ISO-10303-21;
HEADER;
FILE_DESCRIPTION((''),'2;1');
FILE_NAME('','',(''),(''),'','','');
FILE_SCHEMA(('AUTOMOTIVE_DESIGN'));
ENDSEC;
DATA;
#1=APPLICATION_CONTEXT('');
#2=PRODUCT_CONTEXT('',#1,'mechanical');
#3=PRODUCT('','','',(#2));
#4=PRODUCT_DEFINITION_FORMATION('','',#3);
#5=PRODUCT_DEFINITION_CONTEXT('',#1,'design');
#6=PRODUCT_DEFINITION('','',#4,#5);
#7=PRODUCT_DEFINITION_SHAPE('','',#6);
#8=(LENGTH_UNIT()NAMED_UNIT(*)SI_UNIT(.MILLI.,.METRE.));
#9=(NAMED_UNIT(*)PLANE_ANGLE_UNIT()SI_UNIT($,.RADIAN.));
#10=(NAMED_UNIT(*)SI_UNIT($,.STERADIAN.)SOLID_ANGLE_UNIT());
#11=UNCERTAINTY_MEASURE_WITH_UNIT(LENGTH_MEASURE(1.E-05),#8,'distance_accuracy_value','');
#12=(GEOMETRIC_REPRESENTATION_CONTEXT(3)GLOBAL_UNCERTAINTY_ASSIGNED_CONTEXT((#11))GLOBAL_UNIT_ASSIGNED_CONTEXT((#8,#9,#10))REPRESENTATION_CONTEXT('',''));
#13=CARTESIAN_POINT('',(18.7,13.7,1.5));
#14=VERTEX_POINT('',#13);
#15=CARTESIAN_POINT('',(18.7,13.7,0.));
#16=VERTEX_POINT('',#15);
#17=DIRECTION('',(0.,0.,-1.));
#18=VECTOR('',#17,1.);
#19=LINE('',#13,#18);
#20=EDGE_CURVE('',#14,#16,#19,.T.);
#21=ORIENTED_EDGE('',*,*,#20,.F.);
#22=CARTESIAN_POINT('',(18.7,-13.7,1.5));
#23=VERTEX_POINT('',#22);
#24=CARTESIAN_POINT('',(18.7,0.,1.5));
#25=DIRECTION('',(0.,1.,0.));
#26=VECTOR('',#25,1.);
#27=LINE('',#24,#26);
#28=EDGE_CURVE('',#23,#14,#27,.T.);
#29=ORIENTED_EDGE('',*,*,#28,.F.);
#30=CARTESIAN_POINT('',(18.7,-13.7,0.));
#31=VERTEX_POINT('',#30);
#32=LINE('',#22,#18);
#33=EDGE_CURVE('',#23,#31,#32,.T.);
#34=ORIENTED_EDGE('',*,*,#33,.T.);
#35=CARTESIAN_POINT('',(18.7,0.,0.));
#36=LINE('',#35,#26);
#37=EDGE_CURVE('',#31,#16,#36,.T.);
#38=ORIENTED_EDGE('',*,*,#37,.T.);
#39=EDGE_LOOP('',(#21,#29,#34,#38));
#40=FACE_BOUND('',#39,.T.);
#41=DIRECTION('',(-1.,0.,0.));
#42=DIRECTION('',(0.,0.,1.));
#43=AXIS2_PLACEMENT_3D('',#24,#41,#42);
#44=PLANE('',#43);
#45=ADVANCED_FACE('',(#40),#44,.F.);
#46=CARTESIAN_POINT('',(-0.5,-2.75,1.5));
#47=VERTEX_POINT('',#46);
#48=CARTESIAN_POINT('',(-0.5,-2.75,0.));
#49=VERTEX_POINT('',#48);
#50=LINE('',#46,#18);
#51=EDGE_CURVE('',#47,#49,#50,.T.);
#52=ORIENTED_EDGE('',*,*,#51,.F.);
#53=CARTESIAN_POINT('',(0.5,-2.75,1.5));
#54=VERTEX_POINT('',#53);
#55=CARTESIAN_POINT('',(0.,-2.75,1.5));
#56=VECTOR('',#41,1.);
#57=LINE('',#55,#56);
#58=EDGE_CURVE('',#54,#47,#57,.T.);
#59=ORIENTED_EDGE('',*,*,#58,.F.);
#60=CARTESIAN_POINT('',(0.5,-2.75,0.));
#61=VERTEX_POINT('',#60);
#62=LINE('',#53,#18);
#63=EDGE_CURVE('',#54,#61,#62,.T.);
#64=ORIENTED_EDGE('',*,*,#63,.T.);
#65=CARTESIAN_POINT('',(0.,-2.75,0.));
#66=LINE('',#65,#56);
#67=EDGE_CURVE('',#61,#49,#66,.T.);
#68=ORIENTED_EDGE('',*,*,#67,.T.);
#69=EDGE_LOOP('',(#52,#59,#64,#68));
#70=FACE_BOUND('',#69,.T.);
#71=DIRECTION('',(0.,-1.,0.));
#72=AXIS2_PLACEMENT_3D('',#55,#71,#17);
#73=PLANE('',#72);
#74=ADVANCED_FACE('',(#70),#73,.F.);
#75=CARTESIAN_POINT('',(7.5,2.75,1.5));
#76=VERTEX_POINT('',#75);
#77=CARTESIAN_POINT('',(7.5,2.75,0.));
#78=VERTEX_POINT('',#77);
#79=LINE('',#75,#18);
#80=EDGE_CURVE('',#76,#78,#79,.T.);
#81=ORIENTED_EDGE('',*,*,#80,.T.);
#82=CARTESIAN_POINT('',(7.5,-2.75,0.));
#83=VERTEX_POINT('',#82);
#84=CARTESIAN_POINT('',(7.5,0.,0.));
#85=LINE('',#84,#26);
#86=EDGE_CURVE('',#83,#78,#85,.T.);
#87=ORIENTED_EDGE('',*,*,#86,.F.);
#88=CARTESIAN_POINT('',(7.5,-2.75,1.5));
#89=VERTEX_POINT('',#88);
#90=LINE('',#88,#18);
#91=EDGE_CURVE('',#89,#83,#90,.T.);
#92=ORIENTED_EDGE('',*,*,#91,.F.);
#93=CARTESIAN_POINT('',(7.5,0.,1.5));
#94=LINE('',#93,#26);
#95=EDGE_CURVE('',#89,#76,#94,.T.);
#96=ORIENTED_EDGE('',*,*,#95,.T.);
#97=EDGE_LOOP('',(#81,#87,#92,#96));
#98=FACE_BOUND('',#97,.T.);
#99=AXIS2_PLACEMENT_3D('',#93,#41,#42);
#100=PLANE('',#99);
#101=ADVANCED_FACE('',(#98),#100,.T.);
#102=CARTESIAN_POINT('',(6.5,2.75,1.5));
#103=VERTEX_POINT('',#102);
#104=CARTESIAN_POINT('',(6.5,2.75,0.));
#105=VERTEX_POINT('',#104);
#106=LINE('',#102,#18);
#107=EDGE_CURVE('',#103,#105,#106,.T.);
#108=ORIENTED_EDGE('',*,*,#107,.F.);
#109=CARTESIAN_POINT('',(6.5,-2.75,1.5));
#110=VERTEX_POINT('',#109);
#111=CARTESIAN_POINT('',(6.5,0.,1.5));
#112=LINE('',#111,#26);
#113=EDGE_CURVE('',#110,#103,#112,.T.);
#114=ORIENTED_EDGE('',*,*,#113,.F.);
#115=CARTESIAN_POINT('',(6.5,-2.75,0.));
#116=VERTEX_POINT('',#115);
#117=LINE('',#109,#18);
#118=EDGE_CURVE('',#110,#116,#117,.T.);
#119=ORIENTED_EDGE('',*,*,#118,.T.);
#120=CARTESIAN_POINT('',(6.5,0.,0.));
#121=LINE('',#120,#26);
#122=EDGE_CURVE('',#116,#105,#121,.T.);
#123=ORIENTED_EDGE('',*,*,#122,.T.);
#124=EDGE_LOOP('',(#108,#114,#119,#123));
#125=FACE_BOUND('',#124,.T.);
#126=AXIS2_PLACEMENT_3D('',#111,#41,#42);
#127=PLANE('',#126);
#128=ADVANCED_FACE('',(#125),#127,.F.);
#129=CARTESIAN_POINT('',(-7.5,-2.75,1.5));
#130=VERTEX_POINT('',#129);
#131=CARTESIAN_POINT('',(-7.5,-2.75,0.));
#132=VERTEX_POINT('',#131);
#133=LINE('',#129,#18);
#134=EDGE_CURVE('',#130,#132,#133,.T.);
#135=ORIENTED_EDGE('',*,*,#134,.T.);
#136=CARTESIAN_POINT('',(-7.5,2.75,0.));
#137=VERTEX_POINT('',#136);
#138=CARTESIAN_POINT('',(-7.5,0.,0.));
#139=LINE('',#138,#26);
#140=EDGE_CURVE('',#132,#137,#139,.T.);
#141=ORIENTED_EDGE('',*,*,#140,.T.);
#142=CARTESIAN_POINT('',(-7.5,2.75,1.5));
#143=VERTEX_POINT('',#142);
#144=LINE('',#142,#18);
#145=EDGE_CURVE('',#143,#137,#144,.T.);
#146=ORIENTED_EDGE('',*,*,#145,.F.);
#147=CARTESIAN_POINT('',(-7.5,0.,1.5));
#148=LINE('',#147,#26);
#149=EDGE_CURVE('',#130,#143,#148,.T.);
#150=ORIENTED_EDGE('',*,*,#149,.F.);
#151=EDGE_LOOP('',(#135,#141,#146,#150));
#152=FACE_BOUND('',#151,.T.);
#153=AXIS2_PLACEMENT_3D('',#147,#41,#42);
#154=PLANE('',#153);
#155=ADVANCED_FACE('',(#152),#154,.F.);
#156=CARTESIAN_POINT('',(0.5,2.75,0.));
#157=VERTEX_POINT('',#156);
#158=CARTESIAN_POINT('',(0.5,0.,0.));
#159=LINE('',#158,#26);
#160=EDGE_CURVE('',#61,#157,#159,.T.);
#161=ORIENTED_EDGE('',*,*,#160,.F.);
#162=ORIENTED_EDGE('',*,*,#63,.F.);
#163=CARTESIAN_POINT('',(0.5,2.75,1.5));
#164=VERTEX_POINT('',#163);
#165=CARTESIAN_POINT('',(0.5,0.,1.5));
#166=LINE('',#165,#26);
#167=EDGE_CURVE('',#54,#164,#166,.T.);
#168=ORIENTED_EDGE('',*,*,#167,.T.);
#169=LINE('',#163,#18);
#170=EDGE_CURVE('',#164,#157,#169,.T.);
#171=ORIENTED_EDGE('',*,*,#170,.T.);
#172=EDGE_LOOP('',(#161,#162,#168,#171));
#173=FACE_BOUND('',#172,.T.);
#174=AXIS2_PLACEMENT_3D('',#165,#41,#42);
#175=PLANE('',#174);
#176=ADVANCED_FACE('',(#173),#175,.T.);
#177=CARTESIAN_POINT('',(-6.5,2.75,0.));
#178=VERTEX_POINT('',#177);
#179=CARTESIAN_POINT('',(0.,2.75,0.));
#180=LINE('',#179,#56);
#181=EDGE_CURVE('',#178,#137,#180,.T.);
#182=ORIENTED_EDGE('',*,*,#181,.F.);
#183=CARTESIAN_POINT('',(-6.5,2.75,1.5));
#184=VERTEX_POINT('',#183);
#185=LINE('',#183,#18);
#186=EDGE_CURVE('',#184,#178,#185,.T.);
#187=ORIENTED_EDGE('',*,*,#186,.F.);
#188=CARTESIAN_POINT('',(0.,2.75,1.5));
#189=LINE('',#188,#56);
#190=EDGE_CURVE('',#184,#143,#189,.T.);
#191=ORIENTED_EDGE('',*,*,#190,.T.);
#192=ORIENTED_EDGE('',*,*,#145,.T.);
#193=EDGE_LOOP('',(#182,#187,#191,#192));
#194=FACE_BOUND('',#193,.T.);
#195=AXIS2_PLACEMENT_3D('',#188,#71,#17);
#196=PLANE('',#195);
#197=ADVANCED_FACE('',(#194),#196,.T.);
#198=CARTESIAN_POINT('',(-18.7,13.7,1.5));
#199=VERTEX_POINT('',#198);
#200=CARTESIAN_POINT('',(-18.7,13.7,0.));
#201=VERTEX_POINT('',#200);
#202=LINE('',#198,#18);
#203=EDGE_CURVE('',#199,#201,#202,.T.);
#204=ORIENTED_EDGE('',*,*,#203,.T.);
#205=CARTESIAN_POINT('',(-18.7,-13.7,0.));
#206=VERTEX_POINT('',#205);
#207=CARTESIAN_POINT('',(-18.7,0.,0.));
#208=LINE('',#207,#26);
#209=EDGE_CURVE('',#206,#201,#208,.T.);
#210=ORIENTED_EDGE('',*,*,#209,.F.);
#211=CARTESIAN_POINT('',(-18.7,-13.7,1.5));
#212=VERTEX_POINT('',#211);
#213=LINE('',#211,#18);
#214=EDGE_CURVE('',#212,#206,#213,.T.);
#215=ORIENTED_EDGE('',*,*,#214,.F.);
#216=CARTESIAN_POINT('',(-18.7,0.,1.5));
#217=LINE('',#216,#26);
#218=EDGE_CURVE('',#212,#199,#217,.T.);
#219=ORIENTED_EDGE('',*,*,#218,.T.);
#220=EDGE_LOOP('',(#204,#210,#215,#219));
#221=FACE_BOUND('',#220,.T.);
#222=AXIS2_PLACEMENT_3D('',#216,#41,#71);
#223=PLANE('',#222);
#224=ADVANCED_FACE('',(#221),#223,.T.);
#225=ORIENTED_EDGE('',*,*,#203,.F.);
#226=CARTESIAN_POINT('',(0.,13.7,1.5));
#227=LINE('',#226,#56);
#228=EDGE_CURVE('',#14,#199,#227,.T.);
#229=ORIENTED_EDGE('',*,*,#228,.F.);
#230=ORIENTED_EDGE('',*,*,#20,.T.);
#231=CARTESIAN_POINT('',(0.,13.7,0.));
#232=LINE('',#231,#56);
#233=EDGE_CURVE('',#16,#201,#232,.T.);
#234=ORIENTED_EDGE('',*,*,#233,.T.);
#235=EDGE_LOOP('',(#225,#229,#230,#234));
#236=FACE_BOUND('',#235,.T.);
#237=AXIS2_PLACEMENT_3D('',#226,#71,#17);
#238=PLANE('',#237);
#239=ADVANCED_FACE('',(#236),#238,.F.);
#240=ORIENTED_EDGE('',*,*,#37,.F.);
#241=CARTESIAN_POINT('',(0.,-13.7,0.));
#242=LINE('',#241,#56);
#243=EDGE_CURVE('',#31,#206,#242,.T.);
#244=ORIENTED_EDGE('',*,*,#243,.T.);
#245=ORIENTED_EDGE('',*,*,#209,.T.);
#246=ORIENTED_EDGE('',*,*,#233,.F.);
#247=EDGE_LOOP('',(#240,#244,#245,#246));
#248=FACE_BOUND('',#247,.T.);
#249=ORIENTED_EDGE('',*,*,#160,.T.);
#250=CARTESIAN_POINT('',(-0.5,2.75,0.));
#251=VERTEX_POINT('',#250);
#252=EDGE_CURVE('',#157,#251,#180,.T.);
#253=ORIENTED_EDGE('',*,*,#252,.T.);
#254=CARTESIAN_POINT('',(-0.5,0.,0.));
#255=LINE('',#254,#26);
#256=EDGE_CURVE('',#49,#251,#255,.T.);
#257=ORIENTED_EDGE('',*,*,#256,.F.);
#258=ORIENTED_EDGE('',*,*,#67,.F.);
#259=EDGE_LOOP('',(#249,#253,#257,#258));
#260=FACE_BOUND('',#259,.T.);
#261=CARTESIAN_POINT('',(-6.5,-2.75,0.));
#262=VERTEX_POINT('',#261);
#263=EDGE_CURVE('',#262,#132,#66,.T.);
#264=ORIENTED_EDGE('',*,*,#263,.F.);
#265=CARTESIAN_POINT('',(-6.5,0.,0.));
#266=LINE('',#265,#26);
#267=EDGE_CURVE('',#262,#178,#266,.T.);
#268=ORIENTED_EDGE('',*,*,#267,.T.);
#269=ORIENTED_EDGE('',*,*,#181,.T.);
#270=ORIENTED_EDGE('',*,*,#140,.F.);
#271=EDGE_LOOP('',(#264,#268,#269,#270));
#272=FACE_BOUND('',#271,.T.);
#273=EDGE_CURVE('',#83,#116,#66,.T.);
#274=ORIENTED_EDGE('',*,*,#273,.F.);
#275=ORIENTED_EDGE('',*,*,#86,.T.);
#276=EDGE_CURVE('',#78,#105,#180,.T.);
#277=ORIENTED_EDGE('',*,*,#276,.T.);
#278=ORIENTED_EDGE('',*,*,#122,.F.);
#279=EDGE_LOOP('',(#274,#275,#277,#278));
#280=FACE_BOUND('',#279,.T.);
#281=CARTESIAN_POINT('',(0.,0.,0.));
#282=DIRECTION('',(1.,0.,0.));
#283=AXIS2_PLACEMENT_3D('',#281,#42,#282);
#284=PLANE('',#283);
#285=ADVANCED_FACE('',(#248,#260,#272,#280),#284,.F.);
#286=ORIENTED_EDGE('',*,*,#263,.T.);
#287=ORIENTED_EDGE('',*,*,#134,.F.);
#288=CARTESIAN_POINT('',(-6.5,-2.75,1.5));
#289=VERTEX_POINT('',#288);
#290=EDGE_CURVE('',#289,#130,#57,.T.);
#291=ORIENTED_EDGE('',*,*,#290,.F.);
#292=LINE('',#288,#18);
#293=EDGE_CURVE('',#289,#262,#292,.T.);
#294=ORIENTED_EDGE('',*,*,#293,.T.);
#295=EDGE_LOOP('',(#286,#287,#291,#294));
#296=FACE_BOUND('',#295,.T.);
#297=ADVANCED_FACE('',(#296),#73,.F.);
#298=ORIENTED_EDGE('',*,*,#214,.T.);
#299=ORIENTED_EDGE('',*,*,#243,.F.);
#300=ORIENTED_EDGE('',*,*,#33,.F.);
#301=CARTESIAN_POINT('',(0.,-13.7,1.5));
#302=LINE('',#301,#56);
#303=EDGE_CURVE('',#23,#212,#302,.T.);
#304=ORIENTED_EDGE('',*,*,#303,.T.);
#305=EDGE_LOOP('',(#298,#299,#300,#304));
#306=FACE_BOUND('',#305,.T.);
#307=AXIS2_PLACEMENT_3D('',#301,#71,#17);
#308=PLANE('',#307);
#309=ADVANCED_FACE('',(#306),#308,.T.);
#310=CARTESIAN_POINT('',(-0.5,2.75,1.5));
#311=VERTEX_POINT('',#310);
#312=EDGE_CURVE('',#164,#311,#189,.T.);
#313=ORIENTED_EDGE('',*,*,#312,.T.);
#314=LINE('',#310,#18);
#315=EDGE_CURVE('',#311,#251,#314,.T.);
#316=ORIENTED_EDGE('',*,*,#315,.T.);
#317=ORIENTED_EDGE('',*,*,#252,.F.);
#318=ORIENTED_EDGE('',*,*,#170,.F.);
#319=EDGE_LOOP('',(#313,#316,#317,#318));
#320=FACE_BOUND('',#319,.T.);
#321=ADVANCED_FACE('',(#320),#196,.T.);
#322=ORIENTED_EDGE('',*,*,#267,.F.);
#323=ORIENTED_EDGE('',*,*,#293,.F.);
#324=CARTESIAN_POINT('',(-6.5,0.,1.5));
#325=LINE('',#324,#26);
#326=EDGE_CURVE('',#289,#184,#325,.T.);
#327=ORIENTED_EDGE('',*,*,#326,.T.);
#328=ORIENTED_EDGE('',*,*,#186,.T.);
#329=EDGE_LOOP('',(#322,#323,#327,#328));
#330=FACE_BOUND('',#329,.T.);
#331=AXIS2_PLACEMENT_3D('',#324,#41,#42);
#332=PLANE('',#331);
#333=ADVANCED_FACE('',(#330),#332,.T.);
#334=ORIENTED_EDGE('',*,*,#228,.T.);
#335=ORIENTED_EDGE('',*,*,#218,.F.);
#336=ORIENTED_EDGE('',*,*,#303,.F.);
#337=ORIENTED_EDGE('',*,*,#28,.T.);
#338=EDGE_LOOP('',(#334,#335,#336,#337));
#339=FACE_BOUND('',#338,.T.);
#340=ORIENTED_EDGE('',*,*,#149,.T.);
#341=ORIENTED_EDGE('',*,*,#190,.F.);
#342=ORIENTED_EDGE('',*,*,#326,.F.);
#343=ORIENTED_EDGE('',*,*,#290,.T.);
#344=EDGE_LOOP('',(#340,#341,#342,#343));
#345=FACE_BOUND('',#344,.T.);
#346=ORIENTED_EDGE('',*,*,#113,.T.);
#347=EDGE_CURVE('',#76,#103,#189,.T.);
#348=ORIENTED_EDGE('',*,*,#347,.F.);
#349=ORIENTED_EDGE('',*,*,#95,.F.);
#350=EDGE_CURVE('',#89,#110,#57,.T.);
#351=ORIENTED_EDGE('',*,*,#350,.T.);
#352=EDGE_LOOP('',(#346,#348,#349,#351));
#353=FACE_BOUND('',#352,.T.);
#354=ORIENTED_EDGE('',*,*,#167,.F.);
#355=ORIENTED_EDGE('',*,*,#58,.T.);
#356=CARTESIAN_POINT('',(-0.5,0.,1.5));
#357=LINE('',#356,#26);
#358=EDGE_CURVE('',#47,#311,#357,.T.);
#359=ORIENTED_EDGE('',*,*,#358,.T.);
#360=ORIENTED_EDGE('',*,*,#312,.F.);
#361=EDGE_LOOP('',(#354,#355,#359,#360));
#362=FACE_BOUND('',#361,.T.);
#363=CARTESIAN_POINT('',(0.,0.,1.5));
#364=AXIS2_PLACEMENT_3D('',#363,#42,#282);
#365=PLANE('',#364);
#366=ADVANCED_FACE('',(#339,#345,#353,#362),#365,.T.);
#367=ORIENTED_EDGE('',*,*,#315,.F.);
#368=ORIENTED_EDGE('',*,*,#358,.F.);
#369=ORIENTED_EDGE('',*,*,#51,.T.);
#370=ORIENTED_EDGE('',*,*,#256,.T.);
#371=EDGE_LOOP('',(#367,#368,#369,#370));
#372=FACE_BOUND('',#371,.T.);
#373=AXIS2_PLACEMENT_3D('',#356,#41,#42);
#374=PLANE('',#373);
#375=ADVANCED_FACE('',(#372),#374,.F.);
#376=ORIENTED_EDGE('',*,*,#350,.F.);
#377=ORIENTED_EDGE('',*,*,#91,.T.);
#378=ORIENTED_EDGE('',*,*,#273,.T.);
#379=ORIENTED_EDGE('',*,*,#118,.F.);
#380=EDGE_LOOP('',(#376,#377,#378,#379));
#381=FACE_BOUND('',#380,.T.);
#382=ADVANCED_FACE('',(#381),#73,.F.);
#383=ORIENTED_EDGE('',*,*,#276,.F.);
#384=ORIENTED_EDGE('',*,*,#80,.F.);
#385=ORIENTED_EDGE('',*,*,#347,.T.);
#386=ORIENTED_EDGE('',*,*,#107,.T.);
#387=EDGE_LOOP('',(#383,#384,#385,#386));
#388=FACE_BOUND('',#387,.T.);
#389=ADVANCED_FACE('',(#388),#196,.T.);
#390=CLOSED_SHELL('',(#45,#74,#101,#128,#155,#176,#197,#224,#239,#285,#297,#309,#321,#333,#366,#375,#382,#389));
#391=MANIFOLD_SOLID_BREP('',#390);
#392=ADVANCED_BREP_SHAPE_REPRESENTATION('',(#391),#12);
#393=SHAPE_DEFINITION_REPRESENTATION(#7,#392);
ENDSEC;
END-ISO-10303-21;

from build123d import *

# Parameters (mm, degrees)
SKETCH1_W           = 27.4
SKETCH1_H           = 37.4
SKETCH1_W_2         = 5.5
SKETCH1_H_2         = 1
BOSS_EXTRUDE1_DEPTH = 1.5


with BuildPart() as part:
    # Sketch1 → Boss-Extrude1 (new body)
    with BuildSketch(Plane(origin=(0, 0, 0), x_dir=(0, 1, 0), z_dir=(0, 0, 1))):
        Rectangle(SKETCH1_W, SKETCH1_H)
        Rectangle(SKETCH1_W_2, SKETCH1_H_2, mode=Mode.SUBTRACT)
        with Locations((0, 7)):
            Rectangle(SKETCH1_W_2, SKETCH1_H_2, mode=Mode.SUBTRACT)
        with Locations((0, -7)):
            Rectangle(SKETCH1_W_2, SKETCH1_H_2, mode=Mode.SUBTRACT)
    extrude(amount=BOSS_EXTRUDE1_DEPTH)


solid = part.part
